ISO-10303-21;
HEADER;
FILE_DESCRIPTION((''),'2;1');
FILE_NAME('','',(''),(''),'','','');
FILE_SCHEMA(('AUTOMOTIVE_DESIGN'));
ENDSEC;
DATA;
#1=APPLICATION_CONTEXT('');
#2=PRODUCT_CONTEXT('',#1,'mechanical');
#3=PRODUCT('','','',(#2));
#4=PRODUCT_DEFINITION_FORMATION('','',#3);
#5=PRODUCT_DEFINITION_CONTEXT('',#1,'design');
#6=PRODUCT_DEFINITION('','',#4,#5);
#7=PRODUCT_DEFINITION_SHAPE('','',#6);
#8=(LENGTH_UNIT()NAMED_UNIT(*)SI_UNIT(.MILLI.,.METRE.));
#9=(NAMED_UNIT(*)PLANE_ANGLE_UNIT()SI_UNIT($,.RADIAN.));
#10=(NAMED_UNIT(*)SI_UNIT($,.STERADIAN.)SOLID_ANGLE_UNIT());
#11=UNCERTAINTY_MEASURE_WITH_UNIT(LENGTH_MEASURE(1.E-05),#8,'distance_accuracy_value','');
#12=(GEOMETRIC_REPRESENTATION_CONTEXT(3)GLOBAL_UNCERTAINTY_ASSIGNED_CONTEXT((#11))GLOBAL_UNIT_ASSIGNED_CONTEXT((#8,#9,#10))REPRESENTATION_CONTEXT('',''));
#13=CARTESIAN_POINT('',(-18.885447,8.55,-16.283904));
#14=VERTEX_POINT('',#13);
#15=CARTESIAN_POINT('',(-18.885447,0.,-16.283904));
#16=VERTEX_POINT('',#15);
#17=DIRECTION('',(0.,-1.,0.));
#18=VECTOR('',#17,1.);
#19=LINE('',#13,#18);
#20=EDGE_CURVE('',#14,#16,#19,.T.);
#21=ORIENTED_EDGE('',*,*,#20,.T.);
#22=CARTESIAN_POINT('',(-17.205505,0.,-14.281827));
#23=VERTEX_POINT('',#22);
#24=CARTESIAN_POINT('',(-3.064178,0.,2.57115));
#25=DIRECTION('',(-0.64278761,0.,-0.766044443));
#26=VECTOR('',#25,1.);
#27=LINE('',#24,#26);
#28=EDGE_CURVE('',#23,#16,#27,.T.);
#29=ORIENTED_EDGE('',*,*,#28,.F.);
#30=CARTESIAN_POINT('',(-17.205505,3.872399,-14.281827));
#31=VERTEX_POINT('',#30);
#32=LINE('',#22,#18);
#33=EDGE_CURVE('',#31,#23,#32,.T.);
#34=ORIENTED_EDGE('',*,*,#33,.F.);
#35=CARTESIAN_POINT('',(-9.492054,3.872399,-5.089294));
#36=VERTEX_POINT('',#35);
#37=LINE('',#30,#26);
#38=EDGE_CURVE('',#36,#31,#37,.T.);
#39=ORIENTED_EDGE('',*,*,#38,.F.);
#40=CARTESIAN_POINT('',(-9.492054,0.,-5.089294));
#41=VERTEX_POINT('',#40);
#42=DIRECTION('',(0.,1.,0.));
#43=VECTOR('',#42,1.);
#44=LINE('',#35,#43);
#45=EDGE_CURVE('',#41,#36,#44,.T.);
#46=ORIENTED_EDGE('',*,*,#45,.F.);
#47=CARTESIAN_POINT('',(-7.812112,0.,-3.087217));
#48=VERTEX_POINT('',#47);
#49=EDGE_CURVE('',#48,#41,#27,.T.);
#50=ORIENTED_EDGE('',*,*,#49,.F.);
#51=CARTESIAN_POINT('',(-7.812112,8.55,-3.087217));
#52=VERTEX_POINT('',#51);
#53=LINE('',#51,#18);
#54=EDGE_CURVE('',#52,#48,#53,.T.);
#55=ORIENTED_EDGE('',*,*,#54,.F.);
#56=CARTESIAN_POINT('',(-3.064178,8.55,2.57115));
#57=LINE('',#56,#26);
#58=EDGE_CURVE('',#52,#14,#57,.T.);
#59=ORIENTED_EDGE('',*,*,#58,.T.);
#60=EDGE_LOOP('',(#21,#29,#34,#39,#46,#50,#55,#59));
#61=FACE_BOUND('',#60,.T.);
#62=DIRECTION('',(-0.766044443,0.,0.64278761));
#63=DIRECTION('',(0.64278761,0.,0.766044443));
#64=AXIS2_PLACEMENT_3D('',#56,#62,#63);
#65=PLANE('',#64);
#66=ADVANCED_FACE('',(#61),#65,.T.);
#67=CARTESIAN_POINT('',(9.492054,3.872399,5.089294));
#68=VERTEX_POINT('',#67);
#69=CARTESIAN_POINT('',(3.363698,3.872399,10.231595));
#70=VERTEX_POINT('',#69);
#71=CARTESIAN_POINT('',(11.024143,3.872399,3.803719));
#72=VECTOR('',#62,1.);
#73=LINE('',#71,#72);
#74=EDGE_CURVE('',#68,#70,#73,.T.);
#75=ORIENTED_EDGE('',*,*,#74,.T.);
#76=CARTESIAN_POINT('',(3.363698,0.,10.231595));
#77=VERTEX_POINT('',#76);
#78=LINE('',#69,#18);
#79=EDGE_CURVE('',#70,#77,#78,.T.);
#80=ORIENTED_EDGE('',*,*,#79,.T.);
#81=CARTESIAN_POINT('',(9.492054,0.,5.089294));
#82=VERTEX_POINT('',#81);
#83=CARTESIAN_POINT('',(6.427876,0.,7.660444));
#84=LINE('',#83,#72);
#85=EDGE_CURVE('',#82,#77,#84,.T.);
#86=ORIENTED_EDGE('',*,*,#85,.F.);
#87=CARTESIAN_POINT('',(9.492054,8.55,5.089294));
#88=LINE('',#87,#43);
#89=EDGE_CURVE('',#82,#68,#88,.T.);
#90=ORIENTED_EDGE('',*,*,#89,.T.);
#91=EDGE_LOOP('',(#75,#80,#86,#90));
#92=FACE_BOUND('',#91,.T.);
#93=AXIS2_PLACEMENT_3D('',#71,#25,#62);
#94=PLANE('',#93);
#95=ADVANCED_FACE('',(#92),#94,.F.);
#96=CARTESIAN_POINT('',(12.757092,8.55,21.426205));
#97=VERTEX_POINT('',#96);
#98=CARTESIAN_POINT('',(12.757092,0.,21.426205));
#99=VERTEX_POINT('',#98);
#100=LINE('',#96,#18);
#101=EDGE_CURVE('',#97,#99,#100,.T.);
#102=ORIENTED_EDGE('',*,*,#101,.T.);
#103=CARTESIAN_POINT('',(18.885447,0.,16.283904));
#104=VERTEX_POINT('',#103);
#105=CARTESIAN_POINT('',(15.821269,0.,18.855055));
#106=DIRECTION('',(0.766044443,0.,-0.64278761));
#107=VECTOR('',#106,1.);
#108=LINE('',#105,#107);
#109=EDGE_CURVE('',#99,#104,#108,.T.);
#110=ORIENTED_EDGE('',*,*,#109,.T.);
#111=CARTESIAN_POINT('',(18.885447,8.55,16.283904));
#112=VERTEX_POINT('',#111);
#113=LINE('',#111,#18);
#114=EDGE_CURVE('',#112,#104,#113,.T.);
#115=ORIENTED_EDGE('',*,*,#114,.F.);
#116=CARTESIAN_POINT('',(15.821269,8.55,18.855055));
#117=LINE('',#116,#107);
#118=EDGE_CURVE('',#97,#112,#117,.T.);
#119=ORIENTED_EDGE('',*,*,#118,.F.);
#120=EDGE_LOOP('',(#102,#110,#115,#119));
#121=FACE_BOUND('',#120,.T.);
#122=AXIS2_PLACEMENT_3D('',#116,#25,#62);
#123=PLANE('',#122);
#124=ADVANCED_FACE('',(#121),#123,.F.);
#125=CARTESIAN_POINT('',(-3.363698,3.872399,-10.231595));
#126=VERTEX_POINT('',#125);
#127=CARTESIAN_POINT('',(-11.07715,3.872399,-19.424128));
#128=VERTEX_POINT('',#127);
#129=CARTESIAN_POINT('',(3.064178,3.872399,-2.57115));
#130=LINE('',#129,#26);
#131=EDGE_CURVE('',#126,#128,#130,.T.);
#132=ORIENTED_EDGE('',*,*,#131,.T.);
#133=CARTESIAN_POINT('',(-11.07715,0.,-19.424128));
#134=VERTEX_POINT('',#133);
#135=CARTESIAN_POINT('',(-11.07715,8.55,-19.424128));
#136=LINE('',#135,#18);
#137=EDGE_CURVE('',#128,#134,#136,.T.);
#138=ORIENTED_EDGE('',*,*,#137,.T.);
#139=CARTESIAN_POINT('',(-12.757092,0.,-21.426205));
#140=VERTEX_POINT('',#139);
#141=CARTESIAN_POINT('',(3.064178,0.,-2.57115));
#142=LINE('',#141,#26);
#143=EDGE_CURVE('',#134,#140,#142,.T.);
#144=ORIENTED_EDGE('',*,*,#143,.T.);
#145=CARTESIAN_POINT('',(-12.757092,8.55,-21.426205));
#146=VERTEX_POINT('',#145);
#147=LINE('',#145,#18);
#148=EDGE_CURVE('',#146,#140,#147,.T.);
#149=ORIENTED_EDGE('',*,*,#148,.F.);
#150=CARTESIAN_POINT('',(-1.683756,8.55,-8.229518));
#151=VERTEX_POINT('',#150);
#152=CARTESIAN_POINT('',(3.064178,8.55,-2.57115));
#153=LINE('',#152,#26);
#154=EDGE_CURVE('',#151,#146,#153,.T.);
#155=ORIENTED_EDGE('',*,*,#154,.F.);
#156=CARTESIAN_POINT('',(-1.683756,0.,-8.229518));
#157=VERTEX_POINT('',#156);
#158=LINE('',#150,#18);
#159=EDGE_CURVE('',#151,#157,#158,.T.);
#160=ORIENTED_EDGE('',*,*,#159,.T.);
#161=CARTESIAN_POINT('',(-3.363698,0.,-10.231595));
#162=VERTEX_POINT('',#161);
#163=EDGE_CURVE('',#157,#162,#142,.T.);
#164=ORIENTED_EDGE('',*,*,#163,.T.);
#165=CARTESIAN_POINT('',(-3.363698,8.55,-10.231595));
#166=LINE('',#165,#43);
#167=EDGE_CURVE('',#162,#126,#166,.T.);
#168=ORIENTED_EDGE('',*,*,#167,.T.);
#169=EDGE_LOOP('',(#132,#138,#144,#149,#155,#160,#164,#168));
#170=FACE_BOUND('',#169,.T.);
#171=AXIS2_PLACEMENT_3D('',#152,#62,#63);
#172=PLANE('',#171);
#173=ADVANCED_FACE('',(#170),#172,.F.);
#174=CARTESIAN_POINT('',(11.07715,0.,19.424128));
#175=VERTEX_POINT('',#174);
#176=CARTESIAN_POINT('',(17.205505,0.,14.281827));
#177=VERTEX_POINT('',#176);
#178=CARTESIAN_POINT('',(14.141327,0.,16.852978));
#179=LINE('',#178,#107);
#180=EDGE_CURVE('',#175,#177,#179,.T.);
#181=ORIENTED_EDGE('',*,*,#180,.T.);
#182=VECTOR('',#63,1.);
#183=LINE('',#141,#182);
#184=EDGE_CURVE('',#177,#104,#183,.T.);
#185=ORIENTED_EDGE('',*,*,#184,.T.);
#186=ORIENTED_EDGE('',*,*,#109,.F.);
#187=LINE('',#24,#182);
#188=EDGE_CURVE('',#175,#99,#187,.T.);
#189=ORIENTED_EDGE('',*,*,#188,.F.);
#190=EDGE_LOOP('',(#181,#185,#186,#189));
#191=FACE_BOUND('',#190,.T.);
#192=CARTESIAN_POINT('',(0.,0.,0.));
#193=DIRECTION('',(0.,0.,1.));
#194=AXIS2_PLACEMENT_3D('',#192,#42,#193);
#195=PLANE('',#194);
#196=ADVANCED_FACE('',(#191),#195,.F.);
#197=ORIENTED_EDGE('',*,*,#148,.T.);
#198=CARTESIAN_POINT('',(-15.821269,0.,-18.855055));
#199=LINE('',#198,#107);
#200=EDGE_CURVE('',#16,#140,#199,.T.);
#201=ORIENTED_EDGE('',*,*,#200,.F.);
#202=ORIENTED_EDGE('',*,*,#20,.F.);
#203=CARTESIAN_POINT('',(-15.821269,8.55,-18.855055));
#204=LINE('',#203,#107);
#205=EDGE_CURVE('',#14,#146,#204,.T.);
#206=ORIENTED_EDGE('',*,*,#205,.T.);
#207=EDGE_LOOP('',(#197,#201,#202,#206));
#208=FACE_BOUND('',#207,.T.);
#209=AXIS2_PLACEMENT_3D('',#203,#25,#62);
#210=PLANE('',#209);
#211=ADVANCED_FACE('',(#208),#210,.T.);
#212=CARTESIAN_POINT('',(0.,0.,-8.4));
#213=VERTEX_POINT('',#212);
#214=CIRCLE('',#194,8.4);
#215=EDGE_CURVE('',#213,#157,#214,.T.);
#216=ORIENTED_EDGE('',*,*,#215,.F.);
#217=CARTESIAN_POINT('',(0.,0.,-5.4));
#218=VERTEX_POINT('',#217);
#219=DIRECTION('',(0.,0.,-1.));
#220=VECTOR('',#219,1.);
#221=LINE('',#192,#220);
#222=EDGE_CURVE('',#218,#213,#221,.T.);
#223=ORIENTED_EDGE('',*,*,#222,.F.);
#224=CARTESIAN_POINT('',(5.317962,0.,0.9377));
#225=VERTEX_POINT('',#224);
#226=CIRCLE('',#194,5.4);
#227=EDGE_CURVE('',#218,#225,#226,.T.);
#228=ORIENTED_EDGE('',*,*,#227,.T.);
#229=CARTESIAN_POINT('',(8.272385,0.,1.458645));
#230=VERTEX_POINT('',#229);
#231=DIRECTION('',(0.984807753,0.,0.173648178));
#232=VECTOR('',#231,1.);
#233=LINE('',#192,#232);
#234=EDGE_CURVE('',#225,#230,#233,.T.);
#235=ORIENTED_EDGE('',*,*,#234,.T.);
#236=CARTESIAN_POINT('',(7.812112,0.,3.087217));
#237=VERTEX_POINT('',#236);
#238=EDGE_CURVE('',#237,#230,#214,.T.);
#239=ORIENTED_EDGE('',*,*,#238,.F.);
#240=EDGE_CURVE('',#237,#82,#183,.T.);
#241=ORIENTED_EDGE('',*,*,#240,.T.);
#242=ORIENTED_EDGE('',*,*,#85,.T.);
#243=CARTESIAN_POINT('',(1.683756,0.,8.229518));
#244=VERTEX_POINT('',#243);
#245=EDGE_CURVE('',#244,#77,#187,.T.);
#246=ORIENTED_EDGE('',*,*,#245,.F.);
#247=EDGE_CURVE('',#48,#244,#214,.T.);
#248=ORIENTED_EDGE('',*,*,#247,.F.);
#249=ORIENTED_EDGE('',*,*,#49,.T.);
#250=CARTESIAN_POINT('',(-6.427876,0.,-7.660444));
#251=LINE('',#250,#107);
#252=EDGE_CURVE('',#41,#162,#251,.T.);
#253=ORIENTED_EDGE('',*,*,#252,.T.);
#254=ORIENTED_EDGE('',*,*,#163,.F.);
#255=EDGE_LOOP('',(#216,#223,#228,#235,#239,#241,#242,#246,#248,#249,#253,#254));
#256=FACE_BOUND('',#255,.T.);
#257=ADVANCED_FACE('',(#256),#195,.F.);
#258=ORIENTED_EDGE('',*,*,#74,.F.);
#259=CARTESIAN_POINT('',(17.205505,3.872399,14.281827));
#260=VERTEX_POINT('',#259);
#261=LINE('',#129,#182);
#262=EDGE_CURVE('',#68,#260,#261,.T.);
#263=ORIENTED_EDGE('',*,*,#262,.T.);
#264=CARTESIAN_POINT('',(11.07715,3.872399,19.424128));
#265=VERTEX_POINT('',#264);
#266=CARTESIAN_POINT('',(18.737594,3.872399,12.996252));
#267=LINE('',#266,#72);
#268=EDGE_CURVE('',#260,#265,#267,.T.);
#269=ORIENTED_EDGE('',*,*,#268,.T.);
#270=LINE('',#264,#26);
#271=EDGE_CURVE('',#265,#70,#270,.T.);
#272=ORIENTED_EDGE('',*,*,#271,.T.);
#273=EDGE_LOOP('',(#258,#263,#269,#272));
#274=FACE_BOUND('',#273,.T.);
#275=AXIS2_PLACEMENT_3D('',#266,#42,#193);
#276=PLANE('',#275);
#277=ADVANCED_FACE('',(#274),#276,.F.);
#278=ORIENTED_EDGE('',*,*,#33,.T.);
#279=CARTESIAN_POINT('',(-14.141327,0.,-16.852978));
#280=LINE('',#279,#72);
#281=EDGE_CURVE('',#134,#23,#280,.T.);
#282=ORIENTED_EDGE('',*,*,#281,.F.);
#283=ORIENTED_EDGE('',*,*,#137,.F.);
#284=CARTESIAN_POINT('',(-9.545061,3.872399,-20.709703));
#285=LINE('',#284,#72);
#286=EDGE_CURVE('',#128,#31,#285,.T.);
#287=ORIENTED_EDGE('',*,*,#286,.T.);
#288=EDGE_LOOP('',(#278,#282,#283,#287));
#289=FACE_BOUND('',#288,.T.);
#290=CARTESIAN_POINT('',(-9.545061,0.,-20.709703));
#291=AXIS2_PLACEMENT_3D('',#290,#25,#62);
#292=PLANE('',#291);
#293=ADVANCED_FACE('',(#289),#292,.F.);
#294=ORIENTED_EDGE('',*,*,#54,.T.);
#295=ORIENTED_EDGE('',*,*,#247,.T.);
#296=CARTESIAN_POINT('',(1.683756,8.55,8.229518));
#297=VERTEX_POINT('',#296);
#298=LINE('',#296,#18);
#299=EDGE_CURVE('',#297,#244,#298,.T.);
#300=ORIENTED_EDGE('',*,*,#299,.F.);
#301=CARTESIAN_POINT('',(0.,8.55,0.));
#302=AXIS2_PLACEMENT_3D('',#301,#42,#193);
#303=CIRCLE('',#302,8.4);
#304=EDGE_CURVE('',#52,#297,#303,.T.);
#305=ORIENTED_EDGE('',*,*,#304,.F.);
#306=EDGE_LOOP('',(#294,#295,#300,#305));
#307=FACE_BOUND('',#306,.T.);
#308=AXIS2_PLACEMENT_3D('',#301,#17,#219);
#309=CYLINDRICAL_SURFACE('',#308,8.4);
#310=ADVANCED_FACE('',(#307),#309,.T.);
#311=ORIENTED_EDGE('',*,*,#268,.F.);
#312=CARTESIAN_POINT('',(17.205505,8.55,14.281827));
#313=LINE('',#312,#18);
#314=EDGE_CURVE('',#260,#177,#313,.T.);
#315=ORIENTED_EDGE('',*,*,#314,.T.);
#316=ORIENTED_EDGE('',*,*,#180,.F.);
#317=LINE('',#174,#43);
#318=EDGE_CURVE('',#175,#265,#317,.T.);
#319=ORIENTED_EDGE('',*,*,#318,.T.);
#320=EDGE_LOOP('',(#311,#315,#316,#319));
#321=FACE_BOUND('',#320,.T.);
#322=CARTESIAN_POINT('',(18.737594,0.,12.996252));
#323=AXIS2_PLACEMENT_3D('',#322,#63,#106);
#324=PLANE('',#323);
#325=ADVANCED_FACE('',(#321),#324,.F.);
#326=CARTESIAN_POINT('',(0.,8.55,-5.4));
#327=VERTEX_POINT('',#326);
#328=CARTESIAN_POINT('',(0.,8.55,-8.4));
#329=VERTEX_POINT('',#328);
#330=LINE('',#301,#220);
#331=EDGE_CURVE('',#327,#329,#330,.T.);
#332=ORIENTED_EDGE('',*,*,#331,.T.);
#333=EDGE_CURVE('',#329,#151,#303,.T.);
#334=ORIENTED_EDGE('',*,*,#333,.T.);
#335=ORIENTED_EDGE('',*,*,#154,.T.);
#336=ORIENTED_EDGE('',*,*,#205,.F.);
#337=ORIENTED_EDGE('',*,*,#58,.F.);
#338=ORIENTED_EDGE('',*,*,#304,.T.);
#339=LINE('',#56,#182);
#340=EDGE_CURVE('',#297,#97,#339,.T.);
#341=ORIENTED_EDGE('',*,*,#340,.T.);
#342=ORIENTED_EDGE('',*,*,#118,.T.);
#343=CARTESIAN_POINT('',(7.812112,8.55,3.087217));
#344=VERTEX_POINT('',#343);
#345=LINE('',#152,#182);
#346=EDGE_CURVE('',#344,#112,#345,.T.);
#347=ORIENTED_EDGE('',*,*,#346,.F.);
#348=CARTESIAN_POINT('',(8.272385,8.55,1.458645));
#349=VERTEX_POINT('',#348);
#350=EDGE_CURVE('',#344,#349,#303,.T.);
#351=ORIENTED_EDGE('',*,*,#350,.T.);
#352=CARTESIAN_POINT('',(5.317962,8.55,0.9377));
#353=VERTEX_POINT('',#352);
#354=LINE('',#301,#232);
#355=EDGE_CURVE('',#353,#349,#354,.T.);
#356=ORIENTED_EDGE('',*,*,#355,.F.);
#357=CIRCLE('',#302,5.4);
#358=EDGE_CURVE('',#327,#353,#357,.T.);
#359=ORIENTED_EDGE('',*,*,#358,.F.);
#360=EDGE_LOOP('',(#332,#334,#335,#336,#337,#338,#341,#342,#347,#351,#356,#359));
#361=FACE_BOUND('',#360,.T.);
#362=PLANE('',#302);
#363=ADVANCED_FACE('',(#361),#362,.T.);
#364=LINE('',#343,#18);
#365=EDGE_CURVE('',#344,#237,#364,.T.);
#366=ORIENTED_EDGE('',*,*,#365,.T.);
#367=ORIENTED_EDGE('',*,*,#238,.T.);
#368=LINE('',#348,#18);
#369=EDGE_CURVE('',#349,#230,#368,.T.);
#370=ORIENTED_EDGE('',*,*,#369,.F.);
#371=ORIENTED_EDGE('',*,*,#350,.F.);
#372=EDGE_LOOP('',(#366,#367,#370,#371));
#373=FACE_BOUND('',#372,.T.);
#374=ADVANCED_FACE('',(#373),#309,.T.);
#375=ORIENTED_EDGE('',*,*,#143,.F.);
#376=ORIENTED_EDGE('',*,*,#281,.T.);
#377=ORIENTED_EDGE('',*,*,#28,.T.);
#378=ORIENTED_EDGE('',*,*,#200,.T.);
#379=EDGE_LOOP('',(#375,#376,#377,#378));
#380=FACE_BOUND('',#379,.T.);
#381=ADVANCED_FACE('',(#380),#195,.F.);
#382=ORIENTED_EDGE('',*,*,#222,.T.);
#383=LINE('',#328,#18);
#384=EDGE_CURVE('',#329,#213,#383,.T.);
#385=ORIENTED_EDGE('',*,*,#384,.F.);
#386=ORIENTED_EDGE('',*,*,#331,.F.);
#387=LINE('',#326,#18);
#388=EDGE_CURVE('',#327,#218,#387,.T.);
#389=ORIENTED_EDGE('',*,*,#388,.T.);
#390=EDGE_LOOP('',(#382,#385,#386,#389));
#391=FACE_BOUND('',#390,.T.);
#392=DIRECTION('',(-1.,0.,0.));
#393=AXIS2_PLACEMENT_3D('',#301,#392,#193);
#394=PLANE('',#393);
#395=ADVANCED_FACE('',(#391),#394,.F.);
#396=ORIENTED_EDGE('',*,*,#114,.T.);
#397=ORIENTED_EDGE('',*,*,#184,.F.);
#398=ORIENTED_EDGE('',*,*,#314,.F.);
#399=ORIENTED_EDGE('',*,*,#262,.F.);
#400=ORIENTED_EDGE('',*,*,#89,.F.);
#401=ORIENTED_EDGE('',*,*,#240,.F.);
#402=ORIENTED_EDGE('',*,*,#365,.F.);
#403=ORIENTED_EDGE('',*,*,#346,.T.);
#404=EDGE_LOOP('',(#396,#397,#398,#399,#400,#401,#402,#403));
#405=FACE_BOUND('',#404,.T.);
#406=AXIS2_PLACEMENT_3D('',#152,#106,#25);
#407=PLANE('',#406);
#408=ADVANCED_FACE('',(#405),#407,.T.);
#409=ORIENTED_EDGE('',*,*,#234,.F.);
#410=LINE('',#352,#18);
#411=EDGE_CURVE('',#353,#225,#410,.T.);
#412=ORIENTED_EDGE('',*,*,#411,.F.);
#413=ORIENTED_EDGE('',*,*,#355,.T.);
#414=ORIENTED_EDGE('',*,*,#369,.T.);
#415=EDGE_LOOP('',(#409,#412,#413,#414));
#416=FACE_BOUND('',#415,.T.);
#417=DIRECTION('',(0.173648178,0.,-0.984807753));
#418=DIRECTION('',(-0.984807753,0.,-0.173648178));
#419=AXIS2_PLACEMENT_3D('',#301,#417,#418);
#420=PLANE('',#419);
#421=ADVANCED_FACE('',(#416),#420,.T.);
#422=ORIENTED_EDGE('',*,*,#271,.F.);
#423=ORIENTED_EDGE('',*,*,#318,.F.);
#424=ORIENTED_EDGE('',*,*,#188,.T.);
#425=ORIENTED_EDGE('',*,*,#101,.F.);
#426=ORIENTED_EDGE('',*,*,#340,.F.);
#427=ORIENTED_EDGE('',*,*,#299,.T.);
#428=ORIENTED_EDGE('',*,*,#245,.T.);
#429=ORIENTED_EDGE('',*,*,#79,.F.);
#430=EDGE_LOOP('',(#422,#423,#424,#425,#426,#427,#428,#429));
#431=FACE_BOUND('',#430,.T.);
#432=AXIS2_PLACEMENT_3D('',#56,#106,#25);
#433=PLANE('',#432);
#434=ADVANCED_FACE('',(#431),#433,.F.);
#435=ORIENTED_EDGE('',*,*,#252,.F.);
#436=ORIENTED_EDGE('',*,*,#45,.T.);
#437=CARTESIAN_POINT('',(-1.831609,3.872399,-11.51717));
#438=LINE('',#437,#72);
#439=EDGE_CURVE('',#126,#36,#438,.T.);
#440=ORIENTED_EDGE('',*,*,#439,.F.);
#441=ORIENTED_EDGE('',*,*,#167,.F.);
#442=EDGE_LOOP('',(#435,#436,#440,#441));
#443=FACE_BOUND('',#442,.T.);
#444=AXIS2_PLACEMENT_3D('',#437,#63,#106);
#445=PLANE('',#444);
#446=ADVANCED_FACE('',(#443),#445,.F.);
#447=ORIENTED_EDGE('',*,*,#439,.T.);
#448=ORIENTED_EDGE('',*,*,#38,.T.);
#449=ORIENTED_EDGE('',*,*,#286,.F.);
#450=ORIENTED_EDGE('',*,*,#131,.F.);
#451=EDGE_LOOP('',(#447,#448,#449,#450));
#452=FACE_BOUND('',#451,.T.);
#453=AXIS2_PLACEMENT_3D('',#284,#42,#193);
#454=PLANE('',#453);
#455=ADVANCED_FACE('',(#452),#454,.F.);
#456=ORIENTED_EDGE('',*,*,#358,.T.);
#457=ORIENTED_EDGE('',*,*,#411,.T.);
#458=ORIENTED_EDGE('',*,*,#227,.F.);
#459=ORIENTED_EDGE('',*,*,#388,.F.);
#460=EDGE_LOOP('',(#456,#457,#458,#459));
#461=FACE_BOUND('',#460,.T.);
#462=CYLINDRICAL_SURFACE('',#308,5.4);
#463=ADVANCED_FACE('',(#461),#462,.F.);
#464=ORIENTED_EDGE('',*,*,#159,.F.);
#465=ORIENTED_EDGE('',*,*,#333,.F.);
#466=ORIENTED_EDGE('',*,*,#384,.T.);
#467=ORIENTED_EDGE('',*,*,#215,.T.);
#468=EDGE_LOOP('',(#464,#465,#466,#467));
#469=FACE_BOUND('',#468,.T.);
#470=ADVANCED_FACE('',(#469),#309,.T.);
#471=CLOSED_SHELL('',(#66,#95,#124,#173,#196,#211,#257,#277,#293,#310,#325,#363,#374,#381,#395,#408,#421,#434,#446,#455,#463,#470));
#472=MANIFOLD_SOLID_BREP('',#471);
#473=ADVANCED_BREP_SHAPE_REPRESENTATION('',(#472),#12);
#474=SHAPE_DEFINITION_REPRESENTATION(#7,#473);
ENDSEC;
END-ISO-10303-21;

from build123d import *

# Parameters (mm, degrees)
BOSS_EXTRUDE2_DEPTH = 8.55
SKETCH2_W           = 12
SKETCH2_H           = 3.872399236
CUT_EXTRUDE1_DEPTH  = 10


with BuildPart() as part:
    # Sketch1 → Boss-Extrude2 (new body)
    with BuildSketch(Plane(origin=(0, 0, 0), x_dir=(1, 0, 0), z_dir=(0, 1, 0))):
        with BuildLine():
            Line((0, 5.4), (0, 8.4))
            ThreePointArc((0, 8.4), (-0.846182507, 8.357270796), (-1.683756274, 8.229517896))
            Line((-1.683756274, 8.229517896), (-12.757091691, 21.426205161))
            Line((-12.757091691, 21.426205161), (-18.885447236, 16.283904283))
            Line((-18.885447236, 16.283904283), (-7.812111819, 3.087217019))
            ThreePointArc((-7.812111819, 3.087217019), (-6.434773322, -5.399415921), (1.683756274, -8.229517896))
            Line((1.683756274, -8.229517896), (12.757091691, -21.426205161))
            Line((12.757091691, -21.426205161), (18.885447236, -16.283904283))
            Line((18.885447236, -16.283904283), (7.812111819, -3.087217019))
            ThreePointArc((7.812111819, -3.087217019), (8.083367024, -2.284551937), (8.272385125, -1.458644692))
            Line((8.272385125, -1.458644692), (5.317961866, -0.937700159))
            ThreePointArc((5.317961866, -0.937700159), (-4.136639993, -3.471053092), (0, 5.4))
        make_face()
    extrude(amount=BOSS_EXTRUDE2_DEPTH)

    # Sketch2 → Cut-Extrude1 (cut)
    with BuildSketch(Plane(origin=(-3.064177772, 0, 2.571150439), x_dir=(0.64278761, 0, 0.766044443), z_dir=(-0.766044443, 0, 0.64278761))):
        with Locations((-16, 1.936199618)):
            Rectangle(SKETCH2_W, SKETCH2_H)
        with Locations((16, 1.936199618)):
            Rectangle(SKETCH2_W, SKETCH2_H)
    extrude(amount=-CUT_EXTRUDE1_DEPTH, mode=Mode.SUBTRACT)


solid = part.part
